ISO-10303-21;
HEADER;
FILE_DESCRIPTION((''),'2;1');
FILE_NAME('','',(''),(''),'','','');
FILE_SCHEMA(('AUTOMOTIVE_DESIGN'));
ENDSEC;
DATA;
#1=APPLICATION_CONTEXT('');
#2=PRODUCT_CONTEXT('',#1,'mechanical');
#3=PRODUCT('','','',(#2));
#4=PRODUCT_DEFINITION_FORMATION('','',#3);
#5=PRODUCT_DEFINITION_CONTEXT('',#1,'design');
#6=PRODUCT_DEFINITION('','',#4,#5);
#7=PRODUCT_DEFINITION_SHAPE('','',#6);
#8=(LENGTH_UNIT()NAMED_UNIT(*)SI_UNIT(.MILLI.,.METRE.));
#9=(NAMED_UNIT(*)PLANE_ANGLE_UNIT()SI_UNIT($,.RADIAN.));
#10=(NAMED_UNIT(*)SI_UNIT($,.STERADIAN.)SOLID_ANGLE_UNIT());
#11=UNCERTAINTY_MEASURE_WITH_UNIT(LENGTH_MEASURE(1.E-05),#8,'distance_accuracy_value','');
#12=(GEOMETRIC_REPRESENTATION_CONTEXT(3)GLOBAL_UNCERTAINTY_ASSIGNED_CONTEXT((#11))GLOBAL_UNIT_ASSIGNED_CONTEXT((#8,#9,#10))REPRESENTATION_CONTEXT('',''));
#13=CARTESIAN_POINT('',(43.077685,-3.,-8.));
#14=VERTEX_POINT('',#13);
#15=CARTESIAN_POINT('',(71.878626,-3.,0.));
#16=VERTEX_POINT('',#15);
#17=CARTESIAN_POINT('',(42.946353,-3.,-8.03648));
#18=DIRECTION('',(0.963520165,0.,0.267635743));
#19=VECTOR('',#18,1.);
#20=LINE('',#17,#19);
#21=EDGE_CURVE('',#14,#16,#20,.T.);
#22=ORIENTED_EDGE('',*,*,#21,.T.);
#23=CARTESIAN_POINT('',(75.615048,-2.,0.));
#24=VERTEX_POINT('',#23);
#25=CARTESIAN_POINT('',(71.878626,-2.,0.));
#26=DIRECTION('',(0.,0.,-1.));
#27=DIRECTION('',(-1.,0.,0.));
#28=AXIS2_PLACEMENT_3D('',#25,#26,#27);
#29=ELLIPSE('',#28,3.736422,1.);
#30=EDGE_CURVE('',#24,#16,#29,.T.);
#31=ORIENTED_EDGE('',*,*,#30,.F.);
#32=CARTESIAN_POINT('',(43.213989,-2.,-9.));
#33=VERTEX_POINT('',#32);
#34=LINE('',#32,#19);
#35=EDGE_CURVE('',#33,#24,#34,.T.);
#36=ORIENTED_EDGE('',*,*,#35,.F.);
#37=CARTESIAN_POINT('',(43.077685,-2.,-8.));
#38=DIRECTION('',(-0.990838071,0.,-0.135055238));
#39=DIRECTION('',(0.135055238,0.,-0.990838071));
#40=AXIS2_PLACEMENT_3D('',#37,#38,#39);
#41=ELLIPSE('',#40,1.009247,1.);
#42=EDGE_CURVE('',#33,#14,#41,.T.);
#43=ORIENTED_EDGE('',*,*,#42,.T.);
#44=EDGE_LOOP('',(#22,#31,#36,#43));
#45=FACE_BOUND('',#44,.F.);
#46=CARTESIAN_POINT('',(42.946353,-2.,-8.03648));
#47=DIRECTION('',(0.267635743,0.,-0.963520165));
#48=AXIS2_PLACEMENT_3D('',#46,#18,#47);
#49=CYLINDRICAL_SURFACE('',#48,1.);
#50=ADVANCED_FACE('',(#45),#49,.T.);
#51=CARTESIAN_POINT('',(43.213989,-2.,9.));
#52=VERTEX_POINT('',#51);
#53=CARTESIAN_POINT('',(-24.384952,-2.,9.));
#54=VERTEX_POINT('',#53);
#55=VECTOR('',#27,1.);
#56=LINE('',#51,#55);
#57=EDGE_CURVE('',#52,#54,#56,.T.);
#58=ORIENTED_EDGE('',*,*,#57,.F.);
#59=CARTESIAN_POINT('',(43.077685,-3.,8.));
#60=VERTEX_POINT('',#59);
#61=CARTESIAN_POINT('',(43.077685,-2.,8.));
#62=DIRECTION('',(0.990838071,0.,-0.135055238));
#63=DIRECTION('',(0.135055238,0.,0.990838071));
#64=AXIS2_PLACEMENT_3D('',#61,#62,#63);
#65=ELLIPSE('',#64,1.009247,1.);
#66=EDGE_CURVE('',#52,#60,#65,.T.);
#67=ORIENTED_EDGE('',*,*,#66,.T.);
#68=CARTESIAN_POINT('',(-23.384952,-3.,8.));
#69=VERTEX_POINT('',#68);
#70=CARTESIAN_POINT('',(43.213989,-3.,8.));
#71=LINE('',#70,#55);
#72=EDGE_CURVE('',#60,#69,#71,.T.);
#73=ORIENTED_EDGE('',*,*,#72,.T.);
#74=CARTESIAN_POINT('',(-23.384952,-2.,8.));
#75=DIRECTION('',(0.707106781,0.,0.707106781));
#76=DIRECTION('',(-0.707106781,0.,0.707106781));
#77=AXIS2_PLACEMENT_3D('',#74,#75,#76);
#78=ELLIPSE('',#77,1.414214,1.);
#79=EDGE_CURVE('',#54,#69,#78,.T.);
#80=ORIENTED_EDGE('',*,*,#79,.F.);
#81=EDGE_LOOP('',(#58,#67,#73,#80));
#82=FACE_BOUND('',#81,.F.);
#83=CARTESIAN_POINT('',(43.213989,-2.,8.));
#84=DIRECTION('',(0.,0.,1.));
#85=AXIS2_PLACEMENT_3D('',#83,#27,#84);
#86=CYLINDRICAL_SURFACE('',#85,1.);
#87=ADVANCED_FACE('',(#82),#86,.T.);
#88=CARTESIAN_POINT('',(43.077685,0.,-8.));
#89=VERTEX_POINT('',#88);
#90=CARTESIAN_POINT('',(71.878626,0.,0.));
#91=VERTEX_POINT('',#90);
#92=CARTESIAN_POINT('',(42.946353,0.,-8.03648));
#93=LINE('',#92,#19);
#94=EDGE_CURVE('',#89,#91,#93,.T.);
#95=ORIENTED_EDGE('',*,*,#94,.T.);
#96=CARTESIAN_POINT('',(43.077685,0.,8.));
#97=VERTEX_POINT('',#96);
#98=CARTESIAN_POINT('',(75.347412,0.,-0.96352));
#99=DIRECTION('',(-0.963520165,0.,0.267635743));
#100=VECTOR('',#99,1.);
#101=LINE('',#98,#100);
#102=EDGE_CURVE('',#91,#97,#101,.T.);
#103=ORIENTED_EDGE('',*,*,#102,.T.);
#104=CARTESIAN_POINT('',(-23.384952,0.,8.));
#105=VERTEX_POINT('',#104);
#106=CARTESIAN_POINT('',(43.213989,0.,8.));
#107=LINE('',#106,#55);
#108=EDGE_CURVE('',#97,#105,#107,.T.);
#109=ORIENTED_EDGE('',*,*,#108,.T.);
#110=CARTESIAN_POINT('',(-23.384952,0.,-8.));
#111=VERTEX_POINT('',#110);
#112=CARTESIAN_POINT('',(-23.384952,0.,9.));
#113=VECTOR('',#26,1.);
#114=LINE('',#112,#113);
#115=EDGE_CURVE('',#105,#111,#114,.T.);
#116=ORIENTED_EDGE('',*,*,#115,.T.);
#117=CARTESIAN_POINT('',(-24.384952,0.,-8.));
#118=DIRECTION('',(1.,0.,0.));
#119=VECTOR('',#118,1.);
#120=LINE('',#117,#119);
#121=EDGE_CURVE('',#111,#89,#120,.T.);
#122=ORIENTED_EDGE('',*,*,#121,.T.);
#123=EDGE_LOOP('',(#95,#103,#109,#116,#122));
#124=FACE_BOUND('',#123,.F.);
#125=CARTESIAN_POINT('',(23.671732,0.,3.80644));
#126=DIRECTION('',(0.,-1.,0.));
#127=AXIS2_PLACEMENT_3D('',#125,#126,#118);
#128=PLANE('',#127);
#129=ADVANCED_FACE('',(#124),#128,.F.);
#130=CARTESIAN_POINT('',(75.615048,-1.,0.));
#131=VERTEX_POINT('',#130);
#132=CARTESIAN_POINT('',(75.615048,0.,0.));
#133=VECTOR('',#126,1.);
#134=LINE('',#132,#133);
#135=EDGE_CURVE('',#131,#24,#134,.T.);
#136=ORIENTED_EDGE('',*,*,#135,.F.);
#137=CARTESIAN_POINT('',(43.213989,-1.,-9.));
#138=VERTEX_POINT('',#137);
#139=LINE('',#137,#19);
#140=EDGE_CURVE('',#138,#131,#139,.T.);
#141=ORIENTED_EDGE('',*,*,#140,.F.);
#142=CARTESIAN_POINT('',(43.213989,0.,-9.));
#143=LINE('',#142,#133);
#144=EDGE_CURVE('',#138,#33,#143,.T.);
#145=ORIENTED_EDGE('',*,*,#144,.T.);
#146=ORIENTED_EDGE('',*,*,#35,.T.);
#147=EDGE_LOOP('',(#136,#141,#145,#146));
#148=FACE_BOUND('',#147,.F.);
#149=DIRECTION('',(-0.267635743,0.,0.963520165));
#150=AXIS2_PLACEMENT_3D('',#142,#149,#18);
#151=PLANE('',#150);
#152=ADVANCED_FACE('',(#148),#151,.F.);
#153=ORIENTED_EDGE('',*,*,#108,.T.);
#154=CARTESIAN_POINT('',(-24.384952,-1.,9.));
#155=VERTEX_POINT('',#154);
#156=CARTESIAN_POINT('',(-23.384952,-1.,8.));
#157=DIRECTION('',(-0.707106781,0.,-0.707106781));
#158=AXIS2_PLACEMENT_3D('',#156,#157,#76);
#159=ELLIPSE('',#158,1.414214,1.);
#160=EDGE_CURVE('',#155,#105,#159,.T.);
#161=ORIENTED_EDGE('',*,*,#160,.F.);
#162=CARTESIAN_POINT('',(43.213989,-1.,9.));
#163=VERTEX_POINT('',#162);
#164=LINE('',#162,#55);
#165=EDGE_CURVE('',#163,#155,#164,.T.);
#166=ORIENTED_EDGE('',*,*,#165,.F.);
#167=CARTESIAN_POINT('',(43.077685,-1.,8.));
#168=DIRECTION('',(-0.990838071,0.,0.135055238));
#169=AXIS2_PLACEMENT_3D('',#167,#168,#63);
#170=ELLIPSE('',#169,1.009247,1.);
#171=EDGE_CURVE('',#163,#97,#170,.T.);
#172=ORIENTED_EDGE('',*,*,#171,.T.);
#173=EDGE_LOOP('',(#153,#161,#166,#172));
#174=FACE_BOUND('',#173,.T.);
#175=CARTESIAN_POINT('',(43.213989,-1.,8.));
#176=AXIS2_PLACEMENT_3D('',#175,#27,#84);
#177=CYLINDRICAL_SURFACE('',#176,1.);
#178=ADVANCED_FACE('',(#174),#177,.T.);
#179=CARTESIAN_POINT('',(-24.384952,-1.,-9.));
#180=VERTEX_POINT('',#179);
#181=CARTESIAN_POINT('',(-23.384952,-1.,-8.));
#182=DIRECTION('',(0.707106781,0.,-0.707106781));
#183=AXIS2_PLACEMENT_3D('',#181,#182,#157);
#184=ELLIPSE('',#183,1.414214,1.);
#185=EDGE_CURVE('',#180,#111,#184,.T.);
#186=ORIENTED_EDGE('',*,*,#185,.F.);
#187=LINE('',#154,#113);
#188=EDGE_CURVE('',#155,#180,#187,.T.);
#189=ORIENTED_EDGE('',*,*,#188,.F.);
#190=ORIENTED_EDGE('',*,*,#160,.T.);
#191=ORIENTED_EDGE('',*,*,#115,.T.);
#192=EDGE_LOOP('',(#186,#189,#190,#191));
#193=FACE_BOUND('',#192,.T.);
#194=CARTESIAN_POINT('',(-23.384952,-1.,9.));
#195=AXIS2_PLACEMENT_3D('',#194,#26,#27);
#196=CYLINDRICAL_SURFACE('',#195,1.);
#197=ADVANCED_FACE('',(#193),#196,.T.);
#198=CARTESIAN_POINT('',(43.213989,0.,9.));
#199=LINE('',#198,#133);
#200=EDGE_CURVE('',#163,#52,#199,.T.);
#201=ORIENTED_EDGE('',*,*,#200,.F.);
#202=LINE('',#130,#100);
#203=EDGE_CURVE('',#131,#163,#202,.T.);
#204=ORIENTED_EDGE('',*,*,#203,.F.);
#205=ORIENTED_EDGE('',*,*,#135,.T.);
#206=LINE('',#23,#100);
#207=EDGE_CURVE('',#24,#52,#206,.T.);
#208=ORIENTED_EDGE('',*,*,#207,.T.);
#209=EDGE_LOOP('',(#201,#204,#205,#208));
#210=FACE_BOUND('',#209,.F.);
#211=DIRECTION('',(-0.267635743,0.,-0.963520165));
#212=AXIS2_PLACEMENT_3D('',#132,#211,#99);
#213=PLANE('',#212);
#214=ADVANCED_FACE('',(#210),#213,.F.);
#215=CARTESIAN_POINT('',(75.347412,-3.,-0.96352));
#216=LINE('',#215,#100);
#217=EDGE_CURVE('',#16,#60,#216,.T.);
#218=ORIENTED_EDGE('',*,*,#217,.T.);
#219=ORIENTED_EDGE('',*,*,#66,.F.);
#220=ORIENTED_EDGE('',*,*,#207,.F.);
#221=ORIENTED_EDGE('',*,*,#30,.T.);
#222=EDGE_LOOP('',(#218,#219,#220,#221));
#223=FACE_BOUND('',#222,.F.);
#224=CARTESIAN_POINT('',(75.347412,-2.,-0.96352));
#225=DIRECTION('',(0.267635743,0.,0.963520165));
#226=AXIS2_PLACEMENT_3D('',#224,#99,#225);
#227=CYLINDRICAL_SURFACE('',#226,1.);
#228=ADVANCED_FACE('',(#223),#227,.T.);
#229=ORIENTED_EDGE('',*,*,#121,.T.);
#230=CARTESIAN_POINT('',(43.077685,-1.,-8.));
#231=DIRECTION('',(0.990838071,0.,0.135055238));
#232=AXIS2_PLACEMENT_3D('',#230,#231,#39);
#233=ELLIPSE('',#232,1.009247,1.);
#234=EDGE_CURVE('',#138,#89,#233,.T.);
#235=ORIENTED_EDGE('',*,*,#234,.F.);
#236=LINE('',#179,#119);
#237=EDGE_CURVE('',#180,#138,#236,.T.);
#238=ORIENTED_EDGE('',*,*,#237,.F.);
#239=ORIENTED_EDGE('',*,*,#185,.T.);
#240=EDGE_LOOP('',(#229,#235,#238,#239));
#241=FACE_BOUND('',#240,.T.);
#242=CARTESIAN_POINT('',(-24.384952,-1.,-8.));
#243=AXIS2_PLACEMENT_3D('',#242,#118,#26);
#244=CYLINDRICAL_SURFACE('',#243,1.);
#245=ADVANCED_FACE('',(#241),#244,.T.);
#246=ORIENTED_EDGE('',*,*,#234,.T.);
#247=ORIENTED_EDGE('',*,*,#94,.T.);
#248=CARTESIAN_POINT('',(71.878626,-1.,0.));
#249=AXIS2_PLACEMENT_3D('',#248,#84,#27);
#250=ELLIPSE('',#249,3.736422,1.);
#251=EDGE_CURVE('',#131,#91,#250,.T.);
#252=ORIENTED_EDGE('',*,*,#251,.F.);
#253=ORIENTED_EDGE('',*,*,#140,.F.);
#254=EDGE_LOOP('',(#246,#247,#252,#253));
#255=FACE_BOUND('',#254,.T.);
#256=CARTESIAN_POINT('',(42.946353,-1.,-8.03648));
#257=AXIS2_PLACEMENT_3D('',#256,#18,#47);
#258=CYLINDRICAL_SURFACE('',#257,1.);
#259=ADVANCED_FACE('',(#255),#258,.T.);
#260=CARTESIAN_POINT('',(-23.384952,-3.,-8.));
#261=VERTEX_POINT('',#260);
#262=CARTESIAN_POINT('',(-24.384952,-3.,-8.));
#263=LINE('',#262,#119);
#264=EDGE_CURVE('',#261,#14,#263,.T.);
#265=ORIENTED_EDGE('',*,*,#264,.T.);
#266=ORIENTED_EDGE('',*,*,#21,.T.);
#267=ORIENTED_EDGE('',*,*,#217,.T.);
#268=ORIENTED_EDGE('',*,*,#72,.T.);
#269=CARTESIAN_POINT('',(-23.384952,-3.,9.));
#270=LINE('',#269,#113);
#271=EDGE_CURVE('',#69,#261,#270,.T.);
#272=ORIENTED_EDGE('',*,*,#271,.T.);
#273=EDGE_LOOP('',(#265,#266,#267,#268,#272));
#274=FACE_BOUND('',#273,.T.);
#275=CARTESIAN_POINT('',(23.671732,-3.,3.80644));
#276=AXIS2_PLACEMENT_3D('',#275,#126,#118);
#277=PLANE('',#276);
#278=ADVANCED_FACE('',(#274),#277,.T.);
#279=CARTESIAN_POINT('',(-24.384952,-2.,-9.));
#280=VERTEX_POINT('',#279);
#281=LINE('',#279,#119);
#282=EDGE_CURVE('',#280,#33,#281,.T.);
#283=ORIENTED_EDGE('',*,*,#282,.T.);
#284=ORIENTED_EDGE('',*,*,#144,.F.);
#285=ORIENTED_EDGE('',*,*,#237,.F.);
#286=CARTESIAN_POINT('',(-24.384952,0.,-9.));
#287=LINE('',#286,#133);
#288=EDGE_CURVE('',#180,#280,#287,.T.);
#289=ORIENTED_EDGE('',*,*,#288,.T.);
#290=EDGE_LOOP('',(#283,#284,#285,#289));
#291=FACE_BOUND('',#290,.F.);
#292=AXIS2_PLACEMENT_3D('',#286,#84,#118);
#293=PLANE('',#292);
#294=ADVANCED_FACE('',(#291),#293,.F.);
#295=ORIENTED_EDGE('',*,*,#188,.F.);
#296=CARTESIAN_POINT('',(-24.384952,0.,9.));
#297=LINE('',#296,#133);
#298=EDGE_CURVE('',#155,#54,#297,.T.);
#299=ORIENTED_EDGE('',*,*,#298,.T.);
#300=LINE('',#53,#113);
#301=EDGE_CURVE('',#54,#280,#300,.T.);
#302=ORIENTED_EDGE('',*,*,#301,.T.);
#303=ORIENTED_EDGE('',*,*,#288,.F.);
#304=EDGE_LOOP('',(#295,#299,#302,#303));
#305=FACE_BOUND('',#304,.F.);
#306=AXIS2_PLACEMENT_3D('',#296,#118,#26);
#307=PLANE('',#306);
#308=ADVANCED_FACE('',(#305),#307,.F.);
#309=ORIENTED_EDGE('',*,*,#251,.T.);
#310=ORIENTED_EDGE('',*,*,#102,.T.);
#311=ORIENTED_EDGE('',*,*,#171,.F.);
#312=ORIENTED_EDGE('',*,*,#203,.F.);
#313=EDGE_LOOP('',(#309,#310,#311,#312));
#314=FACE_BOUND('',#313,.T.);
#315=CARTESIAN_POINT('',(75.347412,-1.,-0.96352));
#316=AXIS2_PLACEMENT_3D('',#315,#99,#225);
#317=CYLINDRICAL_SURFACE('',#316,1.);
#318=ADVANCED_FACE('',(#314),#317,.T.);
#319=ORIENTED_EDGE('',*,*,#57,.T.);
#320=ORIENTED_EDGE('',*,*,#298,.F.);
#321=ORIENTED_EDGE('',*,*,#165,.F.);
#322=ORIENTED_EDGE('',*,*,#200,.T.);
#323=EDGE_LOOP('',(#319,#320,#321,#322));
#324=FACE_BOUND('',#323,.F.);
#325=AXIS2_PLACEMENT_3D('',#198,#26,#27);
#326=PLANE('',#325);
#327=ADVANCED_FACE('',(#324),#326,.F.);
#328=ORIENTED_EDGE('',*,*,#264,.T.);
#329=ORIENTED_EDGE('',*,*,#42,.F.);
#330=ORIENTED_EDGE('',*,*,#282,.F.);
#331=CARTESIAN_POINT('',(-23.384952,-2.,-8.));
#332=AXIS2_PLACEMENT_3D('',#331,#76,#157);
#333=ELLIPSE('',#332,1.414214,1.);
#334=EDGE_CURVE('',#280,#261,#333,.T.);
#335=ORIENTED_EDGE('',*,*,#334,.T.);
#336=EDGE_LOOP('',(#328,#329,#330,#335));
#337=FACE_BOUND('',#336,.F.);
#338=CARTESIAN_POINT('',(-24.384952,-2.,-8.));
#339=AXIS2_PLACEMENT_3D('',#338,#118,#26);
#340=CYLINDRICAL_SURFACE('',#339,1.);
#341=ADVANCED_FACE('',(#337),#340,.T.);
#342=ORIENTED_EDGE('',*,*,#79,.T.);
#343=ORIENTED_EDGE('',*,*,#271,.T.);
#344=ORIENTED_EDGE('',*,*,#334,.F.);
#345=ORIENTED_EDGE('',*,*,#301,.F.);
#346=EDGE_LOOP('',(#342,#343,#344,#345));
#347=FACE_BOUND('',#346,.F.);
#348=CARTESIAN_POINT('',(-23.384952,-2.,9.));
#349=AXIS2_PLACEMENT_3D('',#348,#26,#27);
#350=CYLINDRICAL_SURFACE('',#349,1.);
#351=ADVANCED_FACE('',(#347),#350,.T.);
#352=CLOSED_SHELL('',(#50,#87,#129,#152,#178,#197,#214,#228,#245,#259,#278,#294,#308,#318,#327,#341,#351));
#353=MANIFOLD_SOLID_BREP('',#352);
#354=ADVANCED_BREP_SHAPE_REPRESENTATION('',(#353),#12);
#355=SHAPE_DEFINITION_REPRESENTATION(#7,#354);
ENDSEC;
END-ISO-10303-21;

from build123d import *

# Parameters (mm, degrees)
F1_DEPTH = 3
F2_R     = 1


with BuildPart() as f1:
    # F0 (on Front) → F1 (new body)
    with BuildSketch(Plane.XZ):
        Polygon((-24.384952, 0), (-12.426005, 0), (75.615048, 0), (43.213989, 9), (-24.384952, 9), align=None)
        Polygon((75.615048, 0), (-12.426005, 0), (-24.384952, 0), (-24.384952, -9), (43.213989, -9), align=None)
    extrude(amount=F1_DEPTH)

    # F2
    f2_edges = [f1.edges().sort_by_distance(p)[0] for p in [
        (59.414519, -3, 4.5),
        (9.414519, -3, 9),
        (-24.384952, -3, 0),
        (9.414519, -3, -9),
        (59.414519, -3, -4.5),
        (59.414519, 0, 4.5),
        (9.414519, 0, 9),
        (-24.384952, 0, 0),
        (9.414519, 0, -9),
        (59.414519, 0, -4.5),
    ]]
    fillet(f2_edges, radius=F2_R)


solid = f1.part
